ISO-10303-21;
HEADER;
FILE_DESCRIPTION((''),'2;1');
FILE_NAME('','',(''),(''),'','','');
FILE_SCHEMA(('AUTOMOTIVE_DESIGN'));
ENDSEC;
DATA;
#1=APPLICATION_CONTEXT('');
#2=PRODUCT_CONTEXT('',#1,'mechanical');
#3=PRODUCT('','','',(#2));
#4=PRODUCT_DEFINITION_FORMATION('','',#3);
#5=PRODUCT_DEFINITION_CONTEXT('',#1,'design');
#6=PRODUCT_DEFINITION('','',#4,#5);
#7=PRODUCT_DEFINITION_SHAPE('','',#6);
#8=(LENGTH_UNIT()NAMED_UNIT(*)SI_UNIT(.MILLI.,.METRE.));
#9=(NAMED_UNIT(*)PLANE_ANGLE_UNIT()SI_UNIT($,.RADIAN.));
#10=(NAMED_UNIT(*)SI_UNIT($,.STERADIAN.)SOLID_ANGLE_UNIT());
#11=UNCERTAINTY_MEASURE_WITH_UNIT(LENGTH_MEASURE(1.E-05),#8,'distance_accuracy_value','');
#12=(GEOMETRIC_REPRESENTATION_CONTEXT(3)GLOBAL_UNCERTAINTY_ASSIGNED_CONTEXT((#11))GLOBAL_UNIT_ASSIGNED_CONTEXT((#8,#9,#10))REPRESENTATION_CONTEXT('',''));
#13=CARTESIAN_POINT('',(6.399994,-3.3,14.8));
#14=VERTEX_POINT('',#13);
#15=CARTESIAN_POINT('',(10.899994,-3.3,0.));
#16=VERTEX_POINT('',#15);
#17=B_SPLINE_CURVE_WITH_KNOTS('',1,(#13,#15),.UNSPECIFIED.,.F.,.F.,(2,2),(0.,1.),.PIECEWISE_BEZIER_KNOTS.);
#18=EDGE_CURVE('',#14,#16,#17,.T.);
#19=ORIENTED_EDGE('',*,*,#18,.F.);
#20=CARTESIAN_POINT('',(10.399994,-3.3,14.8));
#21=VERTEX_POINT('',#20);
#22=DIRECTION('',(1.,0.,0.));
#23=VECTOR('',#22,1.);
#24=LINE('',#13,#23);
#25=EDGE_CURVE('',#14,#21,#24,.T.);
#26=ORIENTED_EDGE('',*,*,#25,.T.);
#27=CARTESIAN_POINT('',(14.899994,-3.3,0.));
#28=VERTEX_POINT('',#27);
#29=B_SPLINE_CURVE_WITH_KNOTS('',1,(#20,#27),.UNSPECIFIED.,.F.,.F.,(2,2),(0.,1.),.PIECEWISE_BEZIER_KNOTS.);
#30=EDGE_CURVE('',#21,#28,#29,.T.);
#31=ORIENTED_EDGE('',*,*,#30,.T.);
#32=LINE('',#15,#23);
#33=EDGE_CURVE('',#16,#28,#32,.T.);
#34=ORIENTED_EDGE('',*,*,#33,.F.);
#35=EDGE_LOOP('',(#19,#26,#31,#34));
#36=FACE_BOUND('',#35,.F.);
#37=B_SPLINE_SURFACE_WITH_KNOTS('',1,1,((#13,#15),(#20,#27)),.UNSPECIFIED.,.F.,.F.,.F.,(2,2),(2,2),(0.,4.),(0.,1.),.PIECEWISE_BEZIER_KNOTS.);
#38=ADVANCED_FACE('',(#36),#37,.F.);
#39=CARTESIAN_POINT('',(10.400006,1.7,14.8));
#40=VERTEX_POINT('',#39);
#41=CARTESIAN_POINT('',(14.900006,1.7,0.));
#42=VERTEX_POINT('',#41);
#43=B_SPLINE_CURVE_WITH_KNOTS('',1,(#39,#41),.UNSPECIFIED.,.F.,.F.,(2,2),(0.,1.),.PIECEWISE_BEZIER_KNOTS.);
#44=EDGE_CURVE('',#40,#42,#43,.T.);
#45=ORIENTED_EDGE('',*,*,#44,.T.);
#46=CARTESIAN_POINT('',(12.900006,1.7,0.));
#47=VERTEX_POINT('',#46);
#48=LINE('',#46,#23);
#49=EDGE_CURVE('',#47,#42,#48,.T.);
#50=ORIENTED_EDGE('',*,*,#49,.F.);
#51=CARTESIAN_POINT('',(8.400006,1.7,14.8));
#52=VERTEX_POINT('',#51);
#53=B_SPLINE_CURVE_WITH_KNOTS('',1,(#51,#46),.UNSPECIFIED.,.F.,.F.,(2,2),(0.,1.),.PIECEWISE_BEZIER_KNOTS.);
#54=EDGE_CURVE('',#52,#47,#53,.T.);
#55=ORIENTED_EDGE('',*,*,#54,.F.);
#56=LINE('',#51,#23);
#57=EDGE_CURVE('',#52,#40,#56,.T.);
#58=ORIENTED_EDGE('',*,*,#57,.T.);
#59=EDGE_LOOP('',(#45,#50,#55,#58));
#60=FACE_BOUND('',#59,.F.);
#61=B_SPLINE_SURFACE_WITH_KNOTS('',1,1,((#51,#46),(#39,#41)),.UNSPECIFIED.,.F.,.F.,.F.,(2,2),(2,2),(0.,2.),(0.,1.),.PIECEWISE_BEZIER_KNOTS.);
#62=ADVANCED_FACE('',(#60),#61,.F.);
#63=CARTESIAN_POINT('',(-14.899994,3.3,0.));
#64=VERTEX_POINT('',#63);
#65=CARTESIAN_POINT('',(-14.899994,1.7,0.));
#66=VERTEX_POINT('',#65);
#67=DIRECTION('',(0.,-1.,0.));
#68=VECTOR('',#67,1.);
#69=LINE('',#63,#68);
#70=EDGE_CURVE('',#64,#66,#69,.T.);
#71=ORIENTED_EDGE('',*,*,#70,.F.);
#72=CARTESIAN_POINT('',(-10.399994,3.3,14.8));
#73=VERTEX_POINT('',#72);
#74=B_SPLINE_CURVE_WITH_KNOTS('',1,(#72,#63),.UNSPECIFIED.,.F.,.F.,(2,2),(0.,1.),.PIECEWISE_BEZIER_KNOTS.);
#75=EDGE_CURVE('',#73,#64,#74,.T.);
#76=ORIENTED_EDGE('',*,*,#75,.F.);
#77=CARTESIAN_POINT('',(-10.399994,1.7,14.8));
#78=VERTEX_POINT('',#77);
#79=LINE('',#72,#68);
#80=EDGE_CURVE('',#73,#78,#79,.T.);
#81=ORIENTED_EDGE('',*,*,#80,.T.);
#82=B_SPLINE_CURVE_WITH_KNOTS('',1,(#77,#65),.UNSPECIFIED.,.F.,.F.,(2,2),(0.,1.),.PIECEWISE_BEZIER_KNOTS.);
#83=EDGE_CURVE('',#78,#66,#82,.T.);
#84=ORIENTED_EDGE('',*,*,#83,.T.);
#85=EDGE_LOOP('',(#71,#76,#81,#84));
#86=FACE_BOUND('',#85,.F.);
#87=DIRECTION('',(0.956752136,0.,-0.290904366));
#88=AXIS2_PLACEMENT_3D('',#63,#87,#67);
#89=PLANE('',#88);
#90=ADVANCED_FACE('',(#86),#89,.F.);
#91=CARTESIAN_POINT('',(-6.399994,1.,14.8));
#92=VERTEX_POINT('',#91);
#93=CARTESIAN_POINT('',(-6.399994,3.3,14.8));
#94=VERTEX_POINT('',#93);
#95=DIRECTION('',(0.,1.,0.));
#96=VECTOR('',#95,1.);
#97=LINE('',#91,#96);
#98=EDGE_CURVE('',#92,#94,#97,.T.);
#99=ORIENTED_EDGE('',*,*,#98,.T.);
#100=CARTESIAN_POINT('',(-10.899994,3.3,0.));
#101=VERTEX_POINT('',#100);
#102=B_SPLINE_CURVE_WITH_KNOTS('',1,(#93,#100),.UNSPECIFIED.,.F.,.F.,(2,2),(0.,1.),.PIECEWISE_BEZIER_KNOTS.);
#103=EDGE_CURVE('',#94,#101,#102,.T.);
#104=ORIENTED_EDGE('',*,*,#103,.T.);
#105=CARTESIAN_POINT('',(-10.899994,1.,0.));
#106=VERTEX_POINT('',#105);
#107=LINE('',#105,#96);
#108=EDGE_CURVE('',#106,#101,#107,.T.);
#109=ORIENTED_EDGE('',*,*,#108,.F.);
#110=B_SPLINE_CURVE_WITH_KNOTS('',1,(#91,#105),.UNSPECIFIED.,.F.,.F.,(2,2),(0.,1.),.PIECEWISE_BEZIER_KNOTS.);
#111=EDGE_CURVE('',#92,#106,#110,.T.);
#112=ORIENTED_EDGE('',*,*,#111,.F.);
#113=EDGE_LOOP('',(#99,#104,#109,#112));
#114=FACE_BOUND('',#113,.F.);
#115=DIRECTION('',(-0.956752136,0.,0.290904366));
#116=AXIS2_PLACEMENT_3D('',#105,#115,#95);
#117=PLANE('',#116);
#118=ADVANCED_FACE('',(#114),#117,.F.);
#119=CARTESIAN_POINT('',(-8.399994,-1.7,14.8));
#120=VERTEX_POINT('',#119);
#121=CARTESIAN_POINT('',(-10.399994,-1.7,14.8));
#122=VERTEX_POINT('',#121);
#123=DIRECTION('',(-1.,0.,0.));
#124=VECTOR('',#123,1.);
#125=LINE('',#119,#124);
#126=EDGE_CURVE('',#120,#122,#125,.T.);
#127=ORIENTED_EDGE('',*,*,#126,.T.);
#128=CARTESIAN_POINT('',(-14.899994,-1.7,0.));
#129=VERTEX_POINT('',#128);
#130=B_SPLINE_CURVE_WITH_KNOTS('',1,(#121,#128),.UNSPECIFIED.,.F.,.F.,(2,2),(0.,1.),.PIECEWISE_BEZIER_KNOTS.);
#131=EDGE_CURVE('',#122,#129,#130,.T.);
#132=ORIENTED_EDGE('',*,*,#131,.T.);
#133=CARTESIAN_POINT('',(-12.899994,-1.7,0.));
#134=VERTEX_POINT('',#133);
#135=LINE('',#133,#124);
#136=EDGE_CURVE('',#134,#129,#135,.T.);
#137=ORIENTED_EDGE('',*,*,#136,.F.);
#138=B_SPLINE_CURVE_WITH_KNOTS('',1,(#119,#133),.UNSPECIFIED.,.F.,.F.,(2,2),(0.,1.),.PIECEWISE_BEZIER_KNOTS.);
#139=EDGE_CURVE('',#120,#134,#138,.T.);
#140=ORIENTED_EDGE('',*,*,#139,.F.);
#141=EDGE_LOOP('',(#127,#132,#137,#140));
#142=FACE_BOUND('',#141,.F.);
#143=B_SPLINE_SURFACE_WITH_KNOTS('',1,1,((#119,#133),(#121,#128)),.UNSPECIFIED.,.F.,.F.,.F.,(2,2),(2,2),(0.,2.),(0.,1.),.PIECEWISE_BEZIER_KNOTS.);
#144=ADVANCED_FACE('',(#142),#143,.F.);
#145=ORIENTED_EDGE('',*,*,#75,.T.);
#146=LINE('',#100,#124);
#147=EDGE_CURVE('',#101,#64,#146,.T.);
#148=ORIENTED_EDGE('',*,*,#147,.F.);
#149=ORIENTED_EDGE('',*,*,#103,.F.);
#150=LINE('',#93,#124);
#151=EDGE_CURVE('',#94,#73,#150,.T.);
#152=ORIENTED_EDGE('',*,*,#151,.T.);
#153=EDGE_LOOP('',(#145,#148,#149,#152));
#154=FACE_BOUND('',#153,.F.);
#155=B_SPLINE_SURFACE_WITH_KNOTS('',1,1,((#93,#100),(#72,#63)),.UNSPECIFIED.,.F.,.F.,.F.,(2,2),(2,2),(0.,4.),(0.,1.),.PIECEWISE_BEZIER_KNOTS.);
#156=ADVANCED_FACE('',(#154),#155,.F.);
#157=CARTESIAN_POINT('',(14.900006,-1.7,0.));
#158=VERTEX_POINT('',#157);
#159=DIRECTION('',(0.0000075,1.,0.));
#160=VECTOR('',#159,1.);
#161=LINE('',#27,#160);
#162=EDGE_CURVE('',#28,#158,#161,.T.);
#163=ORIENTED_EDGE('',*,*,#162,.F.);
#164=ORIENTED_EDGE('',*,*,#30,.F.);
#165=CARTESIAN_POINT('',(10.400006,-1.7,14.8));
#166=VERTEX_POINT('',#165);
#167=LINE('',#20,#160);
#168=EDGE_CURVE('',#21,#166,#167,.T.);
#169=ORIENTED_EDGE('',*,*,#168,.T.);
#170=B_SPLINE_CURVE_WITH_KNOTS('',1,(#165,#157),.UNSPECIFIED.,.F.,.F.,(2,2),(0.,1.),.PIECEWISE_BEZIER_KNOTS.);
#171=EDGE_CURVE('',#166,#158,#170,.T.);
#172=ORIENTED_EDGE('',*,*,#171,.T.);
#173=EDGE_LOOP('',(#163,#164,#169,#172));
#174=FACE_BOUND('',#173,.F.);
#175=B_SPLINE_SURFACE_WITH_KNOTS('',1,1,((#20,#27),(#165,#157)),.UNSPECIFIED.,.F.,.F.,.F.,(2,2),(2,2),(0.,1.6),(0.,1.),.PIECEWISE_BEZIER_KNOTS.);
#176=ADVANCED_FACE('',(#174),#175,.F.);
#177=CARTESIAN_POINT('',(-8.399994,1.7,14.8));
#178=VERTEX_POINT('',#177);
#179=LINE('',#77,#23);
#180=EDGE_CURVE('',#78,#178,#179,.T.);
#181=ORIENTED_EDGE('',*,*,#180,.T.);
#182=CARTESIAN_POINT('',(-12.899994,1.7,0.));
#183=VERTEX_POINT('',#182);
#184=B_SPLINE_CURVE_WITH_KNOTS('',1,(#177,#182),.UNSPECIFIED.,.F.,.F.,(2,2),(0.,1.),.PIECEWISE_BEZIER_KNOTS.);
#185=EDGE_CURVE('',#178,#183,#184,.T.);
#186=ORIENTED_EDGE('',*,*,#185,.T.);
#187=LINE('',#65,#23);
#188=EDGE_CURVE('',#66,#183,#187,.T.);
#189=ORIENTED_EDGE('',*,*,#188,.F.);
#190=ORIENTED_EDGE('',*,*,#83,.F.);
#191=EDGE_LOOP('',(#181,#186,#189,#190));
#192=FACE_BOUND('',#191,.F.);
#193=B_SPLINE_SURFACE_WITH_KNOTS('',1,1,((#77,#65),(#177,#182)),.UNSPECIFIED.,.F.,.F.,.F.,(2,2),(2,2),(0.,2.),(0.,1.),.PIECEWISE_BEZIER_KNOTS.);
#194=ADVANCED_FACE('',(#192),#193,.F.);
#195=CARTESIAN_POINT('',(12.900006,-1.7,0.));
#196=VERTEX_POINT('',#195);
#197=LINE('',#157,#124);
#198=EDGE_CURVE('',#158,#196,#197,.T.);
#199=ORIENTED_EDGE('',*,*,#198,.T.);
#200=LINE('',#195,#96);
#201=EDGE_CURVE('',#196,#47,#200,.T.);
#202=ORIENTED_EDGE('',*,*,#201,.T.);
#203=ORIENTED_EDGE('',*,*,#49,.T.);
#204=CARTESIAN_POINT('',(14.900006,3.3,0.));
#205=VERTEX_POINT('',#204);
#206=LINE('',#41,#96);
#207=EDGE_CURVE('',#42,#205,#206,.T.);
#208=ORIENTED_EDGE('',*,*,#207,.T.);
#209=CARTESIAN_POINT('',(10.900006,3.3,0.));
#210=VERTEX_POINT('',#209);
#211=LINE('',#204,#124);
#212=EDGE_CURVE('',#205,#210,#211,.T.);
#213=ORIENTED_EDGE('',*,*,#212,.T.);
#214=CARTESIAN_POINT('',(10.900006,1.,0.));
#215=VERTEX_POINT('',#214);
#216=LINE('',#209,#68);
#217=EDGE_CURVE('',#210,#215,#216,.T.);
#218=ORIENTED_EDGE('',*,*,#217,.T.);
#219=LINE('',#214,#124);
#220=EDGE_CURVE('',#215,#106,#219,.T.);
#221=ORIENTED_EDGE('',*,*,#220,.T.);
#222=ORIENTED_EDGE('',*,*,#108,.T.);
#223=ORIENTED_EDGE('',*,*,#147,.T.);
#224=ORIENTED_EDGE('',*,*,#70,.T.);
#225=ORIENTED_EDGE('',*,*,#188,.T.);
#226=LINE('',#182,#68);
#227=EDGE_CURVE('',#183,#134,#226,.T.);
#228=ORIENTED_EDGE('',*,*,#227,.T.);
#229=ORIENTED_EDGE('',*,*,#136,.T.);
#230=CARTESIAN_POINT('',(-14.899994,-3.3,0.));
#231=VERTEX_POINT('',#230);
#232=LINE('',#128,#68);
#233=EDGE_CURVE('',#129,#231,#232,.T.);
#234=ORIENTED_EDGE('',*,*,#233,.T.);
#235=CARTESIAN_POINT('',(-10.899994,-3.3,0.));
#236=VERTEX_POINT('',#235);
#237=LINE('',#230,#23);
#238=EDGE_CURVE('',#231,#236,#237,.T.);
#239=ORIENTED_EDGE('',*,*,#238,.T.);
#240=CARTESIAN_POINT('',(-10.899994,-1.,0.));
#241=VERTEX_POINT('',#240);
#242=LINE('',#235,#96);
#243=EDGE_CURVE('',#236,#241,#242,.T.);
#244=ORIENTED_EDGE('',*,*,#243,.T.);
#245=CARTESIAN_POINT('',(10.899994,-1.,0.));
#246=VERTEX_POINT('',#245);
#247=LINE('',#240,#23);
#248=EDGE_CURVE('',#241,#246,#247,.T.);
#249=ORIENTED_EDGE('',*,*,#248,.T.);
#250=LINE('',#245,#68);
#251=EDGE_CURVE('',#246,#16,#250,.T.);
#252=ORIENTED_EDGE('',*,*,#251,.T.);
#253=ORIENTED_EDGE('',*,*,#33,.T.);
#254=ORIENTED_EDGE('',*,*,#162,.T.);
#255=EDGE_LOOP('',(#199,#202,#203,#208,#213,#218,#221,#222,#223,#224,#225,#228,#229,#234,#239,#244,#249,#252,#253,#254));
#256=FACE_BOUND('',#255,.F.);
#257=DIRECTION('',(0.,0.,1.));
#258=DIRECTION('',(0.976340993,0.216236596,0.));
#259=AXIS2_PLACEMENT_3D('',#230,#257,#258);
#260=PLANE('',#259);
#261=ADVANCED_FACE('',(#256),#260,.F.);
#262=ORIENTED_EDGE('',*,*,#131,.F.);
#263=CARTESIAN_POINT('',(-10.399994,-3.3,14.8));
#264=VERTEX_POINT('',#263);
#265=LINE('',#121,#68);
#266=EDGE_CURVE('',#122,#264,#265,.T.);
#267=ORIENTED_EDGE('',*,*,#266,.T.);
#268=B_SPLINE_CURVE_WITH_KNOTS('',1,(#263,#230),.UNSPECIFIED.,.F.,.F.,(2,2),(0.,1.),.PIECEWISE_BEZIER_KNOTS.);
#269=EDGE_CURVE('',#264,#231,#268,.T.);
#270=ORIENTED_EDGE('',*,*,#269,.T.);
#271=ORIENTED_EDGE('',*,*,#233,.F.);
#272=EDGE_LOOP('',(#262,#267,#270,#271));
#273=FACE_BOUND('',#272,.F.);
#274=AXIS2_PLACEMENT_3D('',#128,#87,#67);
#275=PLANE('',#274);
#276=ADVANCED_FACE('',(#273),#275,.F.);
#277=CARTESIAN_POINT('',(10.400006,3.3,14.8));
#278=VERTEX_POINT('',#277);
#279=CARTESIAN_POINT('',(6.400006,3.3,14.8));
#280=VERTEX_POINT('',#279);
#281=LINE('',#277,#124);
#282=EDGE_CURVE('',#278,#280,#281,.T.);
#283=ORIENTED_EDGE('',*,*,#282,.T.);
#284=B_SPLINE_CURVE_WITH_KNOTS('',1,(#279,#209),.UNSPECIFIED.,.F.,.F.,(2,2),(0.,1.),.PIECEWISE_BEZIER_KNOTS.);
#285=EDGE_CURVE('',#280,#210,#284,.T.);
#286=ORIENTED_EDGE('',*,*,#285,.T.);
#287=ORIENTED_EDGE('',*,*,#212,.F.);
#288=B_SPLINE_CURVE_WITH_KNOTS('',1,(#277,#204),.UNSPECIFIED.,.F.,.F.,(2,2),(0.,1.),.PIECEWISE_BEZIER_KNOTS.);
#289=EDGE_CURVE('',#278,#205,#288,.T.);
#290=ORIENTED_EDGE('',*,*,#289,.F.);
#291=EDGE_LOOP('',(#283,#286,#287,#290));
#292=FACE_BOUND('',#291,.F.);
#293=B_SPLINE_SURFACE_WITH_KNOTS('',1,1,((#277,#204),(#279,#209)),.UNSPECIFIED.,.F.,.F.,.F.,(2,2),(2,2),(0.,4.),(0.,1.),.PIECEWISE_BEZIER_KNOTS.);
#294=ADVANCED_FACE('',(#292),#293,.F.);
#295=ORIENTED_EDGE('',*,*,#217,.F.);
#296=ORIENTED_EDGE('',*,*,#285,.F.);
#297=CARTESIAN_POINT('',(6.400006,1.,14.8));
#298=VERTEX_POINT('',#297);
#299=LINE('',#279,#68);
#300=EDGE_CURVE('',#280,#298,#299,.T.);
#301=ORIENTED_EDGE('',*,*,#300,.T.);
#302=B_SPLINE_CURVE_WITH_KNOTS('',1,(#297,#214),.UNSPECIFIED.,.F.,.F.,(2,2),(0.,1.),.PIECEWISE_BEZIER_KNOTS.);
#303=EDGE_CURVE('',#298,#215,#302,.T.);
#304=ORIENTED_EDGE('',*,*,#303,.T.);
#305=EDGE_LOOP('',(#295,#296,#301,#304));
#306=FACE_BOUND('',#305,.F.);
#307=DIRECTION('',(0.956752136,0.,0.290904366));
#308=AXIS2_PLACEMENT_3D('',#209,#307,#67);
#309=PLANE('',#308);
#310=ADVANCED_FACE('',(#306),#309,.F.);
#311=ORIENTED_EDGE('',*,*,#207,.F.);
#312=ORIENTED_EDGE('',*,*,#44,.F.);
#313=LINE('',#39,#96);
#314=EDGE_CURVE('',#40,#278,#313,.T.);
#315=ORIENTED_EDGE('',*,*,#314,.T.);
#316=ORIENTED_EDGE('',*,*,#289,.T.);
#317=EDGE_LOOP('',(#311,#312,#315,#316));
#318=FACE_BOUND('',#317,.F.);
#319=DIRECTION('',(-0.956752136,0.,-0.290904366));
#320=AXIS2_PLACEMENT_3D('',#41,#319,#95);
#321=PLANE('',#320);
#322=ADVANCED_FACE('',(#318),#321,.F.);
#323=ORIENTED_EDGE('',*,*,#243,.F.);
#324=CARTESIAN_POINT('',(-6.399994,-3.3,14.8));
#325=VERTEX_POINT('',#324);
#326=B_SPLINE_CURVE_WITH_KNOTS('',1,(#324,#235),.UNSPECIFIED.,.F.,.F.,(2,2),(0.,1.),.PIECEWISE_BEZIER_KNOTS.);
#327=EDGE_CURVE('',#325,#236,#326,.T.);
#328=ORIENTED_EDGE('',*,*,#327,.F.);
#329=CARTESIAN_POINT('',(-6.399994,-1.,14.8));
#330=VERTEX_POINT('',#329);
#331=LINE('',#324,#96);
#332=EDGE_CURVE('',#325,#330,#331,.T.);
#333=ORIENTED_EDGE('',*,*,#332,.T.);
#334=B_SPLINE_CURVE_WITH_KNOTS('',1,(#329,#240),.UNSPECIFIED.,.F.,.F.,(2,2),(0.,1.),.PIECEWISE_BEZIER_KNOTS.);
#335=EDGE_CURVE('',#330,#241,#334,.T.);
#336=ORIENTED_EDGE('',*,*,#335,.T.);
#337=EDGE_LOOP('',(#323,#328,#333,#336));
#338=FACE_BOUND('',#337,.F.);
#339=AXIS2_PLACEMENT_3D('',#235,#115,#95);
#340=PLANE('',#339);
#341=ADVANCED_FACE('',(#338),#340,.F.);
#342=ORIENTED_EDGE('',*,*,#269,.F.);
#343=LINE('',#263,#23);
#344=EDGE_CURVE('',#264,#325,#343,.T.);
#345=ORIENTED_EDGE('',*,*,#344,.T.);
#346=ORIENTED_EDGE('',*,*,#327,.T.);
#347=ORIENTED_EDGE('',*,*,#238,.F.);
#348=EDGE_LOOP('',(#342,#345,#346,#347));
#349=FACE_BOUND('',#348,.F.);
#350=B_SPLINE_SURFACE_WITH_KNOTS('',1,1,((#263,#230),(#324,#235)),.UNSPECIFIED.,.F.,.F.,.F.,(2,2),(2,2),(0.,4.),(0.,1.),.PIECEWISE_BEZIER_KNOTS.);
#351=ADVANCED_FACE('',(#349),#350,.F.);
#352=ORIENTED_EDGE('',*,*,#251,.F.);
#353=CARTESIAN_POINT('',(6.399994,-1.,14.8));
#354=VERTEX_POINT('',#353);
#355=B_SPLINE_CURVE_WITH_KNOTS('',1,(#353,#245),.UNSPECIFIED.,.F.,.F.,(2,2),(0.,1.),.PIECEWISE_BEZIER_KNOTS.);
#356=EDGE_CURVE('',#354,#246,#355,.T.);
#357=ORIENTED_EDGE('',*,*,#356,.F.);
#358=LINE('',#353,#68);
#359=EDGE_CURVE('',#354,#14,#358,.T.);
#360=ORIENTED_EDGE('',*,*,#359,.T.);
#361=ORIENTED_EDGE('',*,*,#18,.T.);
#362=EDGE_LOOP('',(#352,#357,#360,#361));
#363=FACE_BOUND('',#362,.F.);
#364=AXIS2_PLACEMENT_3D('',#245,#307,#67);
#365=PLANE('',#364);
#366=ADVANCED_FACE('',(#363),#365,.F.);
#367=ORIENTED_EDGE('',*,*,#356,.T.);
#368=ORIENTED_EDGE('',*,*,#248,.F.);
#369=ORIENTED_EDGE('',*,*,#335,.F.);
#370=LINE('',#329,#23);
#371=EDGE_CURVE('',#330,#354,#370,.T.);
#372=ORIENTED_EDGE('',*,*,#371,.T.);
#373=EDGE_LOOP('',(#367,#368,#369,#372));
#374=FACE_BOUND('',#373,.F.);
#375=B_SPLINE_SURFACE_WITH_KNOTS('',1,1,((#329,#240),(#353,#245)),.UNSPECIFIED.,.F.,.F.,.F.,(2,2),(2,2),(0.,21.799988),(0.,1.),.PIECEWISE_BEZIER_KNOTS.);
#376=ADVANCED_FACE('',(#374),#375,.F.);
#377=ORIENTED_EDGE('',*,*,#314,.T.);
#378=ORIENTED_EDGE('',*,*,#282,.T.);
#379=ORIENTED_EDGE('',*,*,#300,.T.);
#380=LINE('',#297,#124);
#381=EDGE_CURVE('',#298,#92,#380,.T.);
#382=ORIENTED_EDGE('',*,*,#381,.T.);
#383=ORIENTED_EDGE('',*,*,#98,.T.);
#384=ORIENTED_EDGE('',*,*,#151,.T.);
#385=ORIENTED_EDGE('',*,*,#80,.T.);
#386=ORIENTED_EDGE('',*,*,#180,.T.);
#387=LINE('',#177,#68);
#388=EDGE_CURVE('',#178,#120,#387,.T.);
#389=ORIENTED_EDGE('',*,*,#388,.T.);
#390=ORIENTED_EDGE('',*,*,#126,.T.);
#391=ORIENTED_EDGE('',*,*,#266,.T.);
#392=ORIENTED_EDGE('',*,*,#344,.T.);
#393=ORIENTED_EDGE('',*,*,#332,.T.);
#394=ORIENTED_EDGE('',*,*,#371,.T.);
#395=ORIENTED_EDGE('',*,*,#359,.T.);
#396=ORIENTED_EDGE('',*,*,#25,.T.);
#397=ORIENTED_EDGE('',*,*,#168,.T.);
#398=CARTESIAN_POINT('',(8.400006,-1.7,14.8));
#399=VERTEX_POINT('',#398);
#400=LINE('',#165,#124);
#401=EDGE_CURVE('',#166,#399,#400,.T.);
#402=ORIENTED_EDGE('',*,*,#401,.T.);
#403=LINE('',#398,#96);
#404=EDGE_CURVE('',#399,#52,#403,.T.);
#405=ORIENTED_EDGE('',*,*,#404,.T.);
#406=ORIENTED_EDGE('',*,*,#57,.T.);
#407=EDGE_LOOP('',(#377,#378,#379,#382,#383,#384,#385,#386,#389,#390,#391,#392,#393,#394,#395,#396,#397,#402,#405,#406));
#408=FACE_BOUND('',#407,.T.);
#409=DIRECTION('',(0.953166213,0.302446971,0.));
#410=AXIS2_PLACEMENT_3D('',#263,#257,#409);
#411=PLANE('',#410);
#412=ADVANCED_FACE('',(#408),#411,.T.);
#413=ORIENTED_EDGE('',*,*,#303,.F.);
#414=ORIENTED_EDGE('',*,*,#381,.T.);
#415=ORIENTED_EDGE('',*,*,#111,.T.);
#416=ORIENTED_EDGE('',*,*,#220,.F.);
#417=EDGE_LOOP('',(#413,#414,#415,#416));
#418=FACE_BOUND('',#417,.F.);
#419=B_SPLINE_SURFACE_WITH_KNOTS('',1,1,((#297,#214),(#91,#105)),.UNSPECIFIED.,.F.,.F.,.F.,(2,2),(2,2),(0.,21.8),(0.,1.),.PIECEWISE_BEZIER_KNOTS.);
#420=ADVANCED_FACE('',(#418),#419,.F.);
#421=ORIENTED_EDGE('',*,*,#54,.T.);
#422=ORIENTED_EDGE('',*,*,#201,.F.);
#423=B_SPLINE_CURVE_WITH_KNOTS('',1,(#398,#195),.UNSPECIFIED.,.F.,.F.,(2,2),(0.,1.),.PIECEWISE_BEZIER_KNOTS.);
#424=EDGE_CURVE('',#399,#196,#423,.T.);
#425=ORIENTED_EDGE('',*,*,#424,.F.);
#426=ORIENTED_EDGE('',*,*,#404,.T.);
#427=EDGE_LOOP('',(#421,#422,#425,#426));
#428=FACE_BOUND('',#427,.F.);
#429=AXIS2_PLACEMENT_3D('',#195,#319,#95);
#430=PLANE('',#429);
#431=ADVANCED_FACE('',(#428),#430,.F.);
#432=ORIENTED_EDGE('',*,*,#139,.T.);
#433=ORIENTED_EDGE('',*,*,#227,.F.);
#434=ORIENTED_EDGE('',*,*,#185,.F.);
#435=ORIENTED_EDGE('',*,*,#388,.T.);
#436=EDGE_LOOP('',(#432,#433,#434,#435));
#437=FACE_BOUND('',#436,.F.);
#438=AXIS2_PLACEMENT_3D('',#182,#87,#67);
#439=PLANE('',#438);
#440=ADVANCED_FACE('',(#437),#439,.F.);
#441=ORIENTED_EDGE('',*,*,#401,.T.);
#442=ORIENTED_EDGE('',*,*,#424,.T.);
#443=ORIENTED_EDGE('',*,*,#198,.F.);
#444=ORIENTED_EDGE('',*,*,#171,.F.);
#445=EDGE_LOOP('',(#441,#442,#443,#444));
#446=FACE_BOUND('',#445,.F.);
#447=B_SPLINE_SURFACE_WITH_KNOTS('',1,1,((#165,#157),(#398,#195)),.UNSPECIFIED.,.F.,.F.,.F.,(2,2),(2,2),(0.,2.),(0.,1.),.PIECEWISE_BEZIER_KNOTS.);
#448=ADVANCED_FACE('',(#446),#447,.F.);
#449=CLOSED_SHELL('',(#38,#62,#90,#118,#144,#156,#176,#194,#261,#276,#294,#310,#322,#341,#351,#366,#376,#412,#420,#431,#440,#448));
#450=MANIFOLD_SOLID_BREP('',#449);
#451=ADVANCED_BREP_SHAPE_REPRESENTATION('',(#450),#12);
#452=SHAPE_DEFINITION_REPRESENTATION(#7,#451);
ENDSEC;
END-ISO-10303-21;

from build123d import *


with BuildPart() as part:
    # CopySketch002 → AdditiveLoft section 0
    with BuildSketch(Plane.XY.offset(14.8)):
        Polygon((-10.399994, -3.3), (-6.399994, -3.3), (-6.399994, -1), (6.399994, -1), (6.399994, -3.3), (10.399994, -3.3), (10.400006, -1.7), (8.400006, -1.7), (8.400006, 1.7), (10.400006, 1.7), (10.400006, 3.3), (6.400006, 3.3), (6.400006, 1), (-6.399994, 1), (-6.399994, 3.3), (-10.399994, 3.3), (-10.399994, 1.7), (-8.399994, 1.7), (-8.399994, -1.7), (-10.399994, -1.7), align=None)
    # Sketch001 (on Plane) → AdditiveLoft section 1
    with BuildSketch(Plane.XY):
        Polygon((-14.899994, -3.3), (-10.899994, -3.3), (-10.899994, -1), (10.899994, -1), (10.899994, -3.3), (14.899994, -3.3), (14.900006, -1.7), (12.900006, -1.7), (12.900006, 1.7), (14.900006, 1.7), (14.900006, 3.3), (10.900006, 3.3), (10.900006, 1), (-10.899994, 1), (-10.899994, 3.3), (-14.899994, 3.3), (-14.899994, 1.7), (-12.899994, 1.7), (-12.899994, -1.7), (-14.899994, -1.7), align=None)
    loft()


solid = part.part
